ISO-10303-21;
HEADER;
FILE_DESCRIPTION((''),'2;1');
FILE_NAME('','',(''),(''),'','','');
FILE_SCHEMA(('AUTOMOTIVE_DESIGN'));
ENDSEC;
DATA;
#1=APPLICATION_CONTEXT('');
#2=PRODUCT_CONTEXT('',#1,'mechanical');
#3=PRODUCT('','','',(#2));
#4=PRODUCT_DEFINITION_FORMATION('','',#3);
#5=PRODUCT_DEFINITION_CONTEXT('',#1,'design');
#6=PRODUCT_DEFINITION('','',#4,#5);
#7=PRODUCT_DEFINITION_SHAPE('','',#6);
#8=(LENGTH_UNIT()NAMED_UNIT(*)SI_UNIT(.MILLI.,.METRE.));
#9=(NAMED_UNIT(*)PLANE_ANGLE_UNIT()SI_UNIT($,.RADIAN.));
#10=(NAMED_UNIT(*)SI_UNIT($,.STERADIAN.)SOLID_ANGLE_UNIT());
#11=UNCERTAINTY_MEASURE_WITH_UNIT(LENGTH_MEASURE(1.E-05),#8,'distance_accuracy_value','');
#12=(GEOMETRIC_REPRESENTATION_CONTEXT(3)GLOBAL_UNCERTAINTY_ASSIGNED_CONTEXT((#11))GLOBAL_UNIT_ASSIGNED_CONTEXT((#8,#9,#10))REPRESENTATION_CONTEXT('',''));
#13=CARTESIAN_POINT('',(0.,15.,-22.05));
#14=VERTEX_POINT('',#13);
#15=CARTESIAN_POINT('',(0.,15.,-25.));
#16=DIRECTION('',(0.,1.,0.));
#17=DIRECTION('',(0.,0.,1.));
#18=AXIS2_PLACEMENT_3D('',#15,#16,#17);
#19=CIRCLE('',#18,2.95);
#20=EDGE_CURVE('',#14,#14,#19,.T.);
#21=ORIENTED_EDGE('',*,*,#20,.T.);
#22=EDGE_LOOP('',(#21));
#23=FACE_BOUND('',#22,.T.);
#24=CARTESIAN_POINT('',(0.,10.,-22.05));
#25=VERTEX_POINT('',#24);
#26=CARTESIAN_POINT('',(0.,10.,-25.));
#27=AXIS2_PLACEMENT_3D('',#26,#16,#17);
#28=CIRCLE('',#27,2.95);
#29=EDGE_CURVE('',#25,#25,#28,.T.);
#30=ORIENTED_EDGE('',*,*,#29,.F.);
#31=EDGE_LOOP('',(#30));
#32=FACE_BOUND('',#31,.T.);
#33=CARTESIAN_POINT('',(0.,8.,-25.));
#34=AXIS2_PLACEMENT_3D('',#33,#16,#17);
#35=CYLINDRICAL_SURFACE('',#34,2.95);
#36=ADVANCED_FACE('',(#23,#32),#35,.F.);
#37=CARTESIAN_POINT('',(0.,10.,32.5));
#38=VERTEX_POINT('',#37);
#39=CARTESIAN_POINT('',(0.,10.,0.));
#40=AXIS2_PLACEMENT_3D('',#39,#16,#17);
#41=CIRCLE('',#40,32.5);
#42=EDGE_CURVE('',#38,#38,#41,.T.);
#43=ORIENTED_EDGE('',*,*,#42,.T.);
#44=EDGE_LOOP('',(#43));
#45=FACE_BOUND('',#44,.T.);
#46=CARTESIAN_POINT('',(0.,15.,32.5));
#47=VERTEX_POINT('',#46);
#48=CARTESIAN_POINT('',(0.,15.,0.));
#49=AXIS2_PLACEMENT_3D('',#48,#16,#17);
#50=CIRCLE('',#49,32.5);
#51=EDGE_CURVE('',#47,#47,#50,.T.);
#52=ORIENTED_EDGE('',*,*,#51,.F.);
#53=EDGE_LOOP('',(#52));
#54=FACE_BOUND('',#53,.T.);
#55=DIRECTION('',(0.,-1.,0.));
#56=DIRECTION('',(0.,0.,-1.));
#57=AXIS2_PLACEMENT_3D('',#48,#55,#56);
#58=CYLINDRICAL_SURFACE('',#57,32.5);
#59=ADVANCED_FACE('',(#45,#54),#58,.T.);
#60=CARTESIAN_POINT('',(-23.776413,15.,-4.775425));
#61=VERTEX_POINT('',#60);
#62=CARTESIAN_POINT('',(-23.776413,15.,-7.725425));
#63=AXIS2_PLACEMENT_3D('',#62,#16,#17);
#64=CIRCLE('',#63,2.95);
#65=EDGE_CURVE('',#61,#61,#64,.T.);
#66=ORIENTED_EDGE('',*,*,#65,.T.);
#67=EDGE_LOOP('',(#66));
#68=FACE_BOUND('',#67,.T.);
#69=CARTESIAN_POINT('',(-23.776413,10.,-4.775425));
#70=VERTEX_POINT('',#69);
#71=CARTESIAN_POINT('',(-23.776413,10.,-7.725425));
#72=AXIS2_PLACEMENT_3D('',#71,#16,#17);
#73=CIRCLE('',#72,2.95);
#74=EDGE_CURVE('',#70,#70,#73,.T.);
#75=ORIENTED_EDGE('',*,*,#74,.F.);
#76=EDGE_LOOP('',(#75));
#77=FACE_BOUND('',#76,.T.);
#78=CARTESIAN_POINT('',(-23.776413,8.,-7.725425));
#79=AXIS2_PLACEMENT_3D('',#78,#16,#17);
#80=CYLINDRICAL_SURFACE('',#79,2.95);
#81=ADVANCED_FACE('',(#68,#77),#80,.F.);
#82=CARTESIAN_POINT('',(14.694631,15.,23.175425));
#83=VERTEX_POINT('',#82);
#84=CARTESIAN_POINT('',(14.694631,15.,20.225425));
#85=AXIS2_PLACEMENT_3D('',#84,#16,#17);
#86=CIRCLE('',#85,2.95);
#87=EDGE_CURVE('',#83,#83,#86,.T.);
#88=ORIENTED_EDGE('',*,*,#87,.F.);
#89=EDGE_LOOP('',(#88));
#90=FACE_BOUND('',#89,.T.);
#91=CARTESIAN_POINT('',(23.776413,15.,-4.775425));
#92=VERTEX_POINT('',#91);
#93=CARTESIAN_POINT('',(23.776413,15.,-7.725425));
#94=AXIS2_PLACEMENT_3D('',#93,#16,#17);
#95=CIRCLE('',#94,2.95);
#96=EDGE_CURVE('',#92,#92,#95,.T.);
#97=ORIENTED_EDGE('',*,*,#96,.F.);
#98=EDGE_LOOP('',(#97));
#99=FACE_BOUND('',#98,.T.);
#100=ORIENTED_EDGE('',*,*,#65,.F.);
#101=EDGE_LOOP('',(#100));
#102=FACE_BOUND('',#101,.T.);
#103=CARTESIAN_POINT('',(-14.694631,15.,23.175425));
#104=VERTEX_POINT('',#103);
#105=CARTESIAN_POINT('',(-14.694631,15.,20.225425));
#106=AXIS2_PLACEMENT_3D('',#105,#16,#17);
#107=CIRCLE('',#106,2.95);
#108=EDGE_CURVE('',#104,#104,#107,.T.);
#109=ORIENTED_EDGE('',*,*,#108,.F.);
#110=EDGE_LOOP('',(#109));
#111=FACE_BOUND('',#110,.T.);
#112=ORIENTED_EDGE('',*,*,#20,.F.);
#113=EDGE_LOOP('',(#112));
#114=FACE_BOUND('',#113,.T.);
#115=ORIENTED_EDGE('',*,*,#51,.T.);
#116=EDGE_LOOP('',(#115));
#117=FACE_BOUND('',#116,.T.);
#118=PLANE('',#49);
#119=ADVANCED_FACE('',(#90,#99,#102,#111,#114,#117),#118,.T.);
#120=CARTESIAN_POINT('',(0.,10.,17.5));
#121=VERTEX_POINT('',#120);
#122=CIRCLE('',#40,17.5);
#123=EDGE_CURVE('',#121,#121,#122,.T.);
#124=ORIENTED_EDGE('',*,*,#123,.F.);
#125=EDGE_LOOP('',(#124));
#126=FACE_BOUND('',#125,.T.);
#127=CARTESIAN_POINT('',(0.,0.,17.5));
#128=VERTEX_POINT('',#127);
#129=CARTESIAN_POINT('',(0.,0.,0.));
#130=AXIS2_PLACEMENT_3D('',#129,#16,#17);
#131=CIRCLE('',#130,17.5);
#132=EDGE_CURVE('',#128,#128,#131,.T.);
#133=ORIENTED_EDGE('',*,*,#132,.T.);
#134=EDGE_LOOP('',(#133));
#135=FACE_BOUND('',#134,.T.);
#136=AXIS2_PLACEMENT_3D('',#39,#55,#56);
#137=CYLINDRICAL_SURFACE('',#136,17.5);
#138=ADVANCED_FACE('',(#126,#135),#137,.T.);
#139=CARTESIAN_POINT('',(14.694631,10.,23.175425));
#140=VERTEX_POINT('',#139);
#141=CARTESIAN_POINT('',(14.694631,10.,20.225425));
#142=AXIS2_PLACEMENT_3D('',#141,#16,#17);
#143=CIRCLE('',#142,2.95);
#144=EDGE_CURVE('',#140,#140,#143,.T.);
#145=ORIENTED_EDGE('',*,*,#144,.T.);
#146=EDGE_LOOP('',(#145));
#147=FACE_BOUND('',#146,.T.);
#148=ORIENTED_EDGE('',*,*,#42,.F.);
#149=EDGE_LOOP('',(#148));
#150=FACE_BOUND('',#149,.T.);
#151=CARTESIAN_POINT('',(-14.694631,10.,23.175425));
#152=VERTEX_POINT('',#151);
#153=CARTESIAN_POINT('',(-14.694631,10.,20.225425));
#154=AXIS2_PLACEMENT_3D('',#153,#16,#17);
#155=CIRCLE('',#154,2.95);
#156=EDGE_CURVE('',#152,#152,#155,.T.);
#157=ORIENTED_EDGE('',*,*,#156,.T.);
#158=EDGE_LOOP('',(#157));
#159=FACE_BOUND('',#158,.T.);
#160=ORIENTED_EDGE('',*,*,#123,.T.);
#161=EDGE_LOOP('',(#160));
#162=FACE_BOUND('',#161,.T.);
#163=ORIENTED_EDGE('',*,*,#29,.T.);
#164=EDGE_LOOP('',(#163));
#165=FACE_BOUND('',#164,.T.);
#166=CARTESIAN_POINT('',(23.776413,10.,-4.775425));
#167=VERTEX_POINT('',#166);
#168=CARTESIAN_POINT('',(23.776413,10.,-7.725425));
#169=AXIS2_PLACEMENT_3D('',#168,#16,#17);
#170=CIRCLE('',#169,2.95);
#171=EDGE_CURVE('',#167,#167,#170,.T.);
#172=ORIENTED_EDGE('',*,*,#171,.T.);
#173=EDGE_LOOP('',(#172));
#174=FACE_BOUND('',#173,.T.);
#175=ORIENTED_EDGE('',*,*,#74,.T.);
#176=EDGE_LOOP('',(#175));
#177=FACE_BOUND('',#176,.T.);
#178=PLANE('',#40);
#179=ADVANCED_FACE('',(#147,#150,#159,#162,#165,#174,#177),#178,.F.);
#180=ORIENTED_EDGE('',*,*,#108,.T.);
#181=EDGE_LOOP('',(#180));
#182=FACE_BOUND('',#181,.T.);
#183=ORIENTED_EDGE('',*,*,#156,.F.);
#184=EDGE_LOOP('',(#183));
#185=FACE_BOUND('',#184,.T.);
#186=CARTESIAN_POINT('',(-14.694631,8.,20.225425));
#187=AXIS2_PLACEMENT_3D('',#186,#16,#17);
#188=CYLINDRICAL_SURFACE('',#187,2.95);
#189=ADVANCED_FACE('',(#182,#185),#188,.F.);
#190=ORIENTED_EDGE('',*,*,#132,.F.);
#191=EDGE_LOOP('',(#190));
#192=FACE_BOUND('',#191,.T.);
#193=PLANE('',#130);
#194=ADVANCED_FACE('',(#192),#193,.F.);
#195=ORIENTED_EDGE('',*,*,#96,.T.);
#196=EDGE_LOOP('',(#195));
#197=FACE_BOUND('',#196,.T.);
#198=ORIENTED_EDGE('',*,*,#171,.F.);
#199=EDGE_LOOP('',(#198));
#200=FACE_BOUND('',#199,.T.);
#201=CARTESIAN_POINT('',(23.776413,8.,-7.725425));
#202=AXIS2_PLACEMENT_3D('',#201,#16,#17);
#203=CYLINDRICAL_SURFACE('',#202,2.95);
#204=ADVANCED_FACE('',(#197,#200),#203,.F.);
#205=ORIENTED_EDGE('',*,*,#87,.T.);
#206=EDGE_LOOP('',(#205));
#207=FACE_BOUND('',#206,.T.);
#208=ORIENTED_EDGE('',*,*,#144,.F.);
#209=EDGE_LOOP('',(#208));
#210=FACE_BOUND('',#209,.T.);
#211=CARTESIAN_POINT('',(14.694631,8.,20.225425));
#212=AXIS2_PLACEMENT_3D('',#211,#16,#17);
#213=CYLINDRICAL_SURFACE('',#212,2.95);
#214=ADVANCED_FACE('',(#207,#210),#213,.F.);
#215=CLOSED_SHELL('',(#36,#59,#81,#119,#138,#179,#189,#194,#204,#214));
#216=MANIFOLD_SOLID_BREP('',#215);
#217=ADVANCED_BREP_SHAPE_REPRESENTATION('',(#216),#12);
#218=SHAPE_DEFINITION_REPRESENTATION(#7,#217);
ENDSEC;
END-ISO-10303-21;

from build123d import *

# Parameters (mm, degrees)
SKETCH1_R           = 17.5
BOSS_EXTRUDE1_DEPTH = 10
SKETCH2_R           = 32.5
BOSS_EXTRUDE2_DEPTH = 5
SKETCH3_R           = 2.95
CUT_EXTRUDE1_DEPTH  = 7


with BuildPart() as part:
    # Sketch1 → Boss-Extrude1 (new body)
    with BuildSketch(Plane(origin=(0, 0, 0), x_dir=(1, 0, 0), z_dir=(0, 1, 0))):
        Circle(SKETCH1_R)
    extrude(amount=BOSS_EXTRUDE1_DEPTH)

    # Sketch2 → Boss-Extrude2 (add)
    with BuildSketch(Plane(origin=(0, 10, 0), x_dir=(1, 0, 0), z_dir=(0, 1, 0))):
        Circle(SKETCH2_R)
    extrude(amount=BOSS_EXTRUDE2_DEPTH)

    # Sketch3 → Cut-Extrude1 (cut)
    with BuildSketch(Plane(origin=(0, 15, 0), x_dir=(1, 0, 0), z_dir=(0, 1, 0))):
        with Locations((0, 25)):
            Circle(SKETCH3_R)
        with Locations((23.776412907, 7.725424859)):
            Circle(SKETCH3_R)
        with Locations((14.694631307, -20.225424859)):
            Circle(SKETCH3_R)
        with Locations((-14.694631307, -20.225424859)):
            Circle(SKETCH3_R)
        with Locations((-23.776412907, 7.725424859)):
            Circle(SKETCH3_R)
    extrude(amount=-CUT_EXTRUDE1_DEPTH, mode=Mode.SUBTRACT)


solid = part.part
